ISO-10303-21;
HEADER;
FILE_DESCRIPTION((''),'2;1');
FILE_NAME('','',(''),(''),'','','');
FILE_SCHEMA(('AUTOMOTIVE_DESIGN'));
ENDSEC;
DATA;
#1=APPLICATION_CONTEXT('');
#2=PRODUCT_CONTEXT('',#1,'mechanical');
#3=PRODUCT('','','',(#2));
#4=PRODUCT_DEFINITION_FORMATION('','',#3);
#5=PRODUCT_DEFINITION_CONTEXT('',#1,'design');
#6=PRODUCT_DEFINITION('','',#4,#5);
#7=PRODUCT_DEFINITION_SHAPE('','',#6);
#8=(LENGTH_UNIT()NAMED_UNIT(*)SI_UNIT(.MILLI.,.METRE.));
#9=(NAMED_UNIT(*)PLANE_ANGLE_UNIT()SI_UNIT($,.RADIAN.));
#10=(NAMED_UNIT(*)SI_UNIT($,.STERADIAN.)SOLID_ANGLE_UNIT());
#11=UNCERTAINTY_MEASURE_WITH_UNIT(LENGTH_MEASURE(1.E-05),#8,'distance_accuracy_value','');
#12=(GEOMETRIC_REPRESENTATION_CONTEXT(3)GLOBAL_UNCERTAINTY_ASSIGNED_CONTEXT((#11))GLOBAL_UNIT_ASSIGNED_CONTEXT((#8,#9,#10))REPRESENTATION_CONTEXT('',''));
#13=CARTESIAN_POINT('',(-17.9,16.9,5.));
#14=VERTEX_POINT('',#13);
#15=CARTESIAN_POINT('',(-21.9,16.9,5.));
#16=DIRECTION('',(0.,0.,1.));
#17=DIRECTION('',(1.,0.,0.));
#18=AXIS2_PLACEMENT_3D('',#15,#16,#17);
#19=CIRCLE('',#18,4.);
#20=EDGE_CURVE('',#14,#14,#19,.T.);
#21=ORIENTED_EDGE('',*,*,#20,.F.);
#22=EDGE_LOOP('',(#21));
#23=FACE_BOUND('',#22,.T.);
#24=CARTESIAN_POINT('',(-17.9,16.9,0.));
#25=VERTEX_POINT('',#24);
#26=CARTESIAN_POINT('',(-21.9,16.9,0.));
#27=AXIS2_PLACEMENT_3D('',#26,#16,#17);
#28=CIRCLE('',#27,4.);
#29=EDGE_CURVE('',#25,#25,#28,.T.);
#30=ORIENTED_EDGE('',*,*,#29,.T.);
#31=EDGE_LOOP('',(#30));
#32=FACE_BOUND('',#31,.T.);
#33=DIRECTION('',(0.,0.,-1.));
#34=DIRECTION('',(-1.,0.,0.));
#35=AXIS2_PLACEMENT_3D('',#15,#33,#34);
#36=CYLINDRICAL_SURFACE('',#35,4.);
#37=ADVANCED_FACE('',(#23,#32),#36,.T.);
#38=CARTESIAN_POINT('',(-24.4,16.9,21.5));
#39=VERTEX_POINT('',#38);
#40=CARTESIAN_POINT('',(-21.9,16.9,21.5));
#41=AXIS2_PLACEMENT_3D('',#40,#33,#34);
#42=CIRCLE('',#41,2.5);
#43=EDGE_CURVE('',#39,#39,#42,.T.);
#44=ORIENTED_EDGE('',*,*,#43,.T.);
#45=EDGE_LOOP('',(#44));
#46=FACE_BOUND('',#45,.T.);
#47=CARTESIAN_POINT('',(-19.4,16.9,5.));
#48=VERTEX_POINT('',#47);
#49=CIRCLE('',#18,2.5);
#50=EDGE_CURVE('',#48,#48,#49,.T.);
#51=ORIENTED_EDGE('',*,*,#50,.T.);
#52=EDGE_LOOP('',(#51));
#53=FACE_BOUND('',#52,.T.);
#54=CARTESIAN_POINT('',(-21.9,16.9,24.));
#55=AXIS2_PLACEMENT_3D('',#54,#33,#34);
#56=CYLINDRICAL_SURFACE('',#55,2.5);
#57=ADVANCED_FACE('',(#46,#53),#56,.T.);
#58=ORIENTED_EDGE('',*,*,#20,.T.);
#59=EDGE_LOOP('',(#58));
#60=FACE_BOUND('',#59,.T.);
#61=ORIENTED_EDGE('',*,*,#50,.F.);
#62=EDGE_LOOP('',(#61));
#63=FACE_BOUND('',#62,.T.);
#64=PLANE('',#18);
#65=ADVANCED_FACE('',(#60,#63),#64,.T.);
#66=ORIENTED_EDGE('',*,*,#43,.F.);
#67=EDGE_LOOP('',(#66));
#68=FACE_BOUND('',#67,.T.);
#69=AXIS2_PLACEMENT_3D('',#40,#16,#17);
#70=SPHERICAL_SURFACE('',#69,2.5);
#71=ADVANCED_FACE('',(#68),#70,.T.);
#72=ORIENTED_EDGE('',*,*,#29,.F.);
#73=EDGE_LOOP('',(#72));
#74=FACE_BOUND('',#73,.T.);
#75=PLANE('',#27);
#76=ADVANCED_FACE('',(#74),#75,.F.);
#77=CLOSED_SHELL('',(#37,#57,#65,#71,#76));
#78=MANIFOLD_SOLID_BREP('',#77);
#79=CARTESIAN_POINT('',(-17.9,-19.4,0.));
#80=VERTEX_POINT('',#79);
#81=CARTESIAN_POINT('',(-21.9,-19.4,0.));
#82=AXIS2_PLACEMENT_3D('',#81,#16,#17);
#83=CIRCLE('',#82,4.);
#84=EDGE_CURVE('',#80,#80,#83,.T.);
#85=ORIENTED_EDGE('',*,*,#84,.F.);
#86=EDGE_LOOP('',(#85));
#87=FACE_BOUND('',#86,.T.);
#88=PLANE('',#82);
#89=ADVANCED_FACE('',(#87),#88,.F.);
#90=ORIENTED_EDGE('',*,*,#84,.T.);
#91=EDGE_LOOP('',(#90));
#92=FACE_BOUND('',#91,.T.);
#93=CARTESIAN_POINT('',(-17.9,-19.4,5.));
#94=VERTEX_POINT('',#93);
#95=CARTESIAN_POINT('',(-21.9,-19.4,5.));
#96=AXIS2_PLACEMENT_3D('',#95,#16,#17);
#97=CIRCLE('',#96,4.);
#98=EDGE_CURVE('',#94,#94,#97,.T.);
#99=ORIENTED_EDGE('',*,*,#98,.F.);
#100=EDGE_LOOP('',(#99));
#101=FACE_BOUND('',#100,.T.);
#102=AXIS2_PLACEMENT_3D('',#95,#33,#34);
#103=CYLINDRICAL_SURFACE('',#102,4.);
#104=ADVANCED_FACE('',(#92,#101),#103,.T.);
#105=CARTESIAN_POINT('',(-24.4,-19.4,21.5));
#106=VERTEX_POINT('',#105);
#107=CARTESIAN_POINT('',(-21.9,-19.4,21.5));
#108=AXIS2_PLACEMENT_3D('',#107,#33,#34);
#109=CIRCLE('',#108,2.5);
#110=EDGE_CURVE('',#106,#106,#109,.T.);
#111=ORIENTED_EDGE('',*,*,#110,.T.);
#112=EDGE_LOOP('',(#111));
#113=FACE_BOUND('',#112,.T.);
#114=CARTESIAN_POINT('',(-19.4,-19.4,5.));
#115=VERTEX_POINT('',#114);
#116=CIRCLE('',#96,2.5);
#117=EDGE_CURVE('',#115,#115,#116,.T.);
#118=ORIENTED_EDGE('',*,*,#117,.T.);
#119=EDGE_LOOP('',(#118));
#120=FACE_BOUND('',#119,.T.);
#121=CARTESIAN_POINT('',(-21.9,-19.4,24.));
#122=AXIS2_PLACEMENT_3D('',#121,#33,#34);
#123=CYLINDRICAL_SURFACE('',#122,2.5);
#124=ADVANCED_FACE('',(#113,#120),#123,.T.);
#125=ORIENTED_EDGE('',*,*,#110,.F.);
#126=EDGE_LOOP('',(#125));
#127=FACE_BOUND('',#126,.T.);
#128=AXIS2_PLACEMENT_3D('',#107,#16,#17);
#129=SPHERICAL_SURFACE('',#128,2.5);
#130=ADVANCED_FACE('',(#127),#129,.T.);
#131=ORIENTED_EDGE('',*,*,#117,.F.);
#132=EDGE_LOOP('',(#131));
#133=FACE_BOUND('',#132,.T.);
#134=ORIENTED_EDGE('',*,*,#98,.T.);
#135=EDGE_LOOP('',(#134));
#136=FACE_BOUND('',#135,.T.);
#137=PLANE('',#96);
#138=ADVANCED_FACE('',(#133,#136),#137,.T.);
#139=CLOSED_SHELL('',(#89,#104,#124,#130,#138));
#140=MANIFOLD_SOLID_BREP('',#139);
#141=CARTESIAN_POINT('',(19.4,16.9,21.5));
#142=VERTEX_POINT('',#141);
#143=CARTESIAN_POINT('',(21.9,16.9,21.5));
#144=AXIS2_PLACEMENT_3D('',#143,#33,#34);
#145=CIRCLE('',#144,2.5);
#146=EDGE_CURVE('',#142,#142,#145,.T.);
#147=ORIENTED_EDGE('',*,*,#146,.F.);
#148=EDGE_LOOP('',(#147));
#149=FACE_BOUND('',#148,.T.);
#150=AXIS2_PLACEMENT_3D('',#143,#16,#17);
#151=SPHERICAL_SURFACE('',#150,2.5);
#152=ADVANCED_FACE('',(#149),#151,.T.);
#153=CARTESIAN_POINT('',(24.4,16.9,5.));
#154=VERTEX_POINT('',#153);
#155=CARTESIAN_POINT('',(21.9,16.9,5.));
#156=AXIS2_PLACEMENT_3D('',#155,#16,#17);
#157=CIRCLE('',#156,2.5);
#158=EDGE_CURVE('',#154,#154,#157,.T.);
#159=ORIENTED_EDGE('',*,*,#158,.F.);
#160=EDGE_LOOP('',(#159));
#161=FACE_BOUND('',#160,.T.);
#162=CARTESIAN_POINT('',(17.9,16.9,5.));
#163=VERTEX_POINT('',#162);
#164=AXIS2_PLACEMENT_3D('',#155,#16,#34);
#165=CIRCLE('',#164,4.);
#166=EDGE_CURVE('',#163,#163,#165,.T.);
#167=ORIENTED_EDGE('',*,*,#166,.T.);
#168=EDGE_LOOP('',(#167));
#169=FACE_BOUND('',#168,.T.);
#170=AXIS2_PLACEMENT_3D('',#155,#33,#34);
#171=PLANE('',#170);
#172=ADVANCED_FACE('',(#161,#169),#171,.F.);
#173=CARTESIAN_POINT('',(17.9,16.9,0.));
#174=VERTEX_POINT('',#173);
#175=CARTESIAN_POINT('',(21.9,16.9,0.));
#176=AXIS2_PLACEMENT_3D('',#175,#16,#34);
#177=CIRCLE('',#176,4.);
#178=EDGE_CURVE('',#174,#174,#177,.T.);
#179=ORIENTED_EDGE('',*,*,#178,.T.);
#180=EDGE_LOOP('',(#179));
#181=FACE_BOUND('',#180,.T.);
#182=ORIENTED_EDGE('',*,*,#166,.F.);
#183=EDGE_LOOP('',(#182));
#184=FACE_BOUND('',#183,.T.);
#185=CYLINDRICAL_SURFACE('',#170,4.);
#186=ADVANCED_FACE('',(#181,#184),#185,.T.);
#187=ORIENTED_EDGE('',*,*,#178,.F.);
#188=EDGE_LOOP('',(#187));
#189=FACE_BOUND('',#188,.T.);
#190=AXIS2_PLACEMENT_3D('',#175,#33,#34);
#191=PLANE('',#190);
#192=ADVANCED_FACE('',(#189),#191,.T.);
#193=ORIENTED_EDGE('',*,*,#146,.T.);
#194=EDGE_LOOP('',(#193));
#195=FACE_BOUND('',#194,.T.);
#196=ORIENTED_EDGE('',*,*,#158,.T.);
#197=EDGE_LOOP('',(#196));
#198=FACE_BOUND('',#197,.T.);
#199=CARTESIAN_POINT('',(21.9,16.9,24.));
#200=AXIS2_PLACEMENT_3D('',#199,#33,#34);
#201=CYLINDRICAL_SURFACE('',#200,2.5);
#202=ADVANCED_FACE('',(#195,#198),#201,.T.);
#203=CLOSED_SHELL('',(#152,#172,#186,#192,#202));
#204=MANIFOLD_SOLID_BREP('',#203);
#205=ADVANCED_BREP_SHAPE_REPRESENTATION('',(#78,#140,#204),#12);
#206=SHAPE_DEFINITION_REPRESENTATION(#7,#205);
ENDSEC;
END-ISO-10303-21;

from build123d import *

# Parameters (mm, degrees)
SKETCH_1_R        = 4
EXTRUDE_1_DEPTH   = 5
EXTRUDE_1_2_DEPTH = 5
EXTRUDE_1_3_DEPTH = 5
SKETCH_2_R        = 2.5
EXTRUDE_2_DEPTH   = 19
FILLET_4_R        = 2.5
FILLET_5_R        = 2.5
FILLET_6_R        = 2.5


with BuildPart() as part:
    # 草圖1 → 填料-伸長1 (new body)
    with BuildSketch(Plane.XY):
        with Locations((-21.9, 16.9)):
            Circle(SKETCH_1_R)
    extrude(amount=EXTRUDE_1_DEPTH)



with BuildPart() as body_2:
    # 草圖1 → Extrude 1 2 (new body)
    with BuildSketch(Plane.XY):
        with Locations((-21.9, -19.4)):
            Circle(SKETCH_1_R)
    extrude(amount=EXTRUDE_1_2_DEPTH)


with BuildPart() as body_3:
    # 草圖1 → Extrude 1 3 (new body)
    with BuildSketch(Plane.XY):
        with Locations(Location((21.9, 16.9, 0), (0, 0, 180))):
            Circle(SKETCH_1_R)
    extrude(amount=EXTRUDE_1_3_DEPTH)


with BuildPart() as part_1:
    add(part.part)

    add(body_2.part)  # 填料-伸長2 merges body 2

    add(body_3.part)  # 填料-伸長2 merges body 3
    # 草圖2 → 填料-伸長2 (add)
    with BuildSketch(Plane.XY.offset(5)):
        with Locations((-21.9, 16.9)):
            Circle(SKETCH_2_R)
        with Locations((21.9, 16.9)):
            Circle(SKETCH_2_R)
        with Locations((-21.9, -19.4)):
            Circle(SKETCH_2_R)
    extrude(amount=EXTRUDE_2_DEPTH)

    # 圓角4
    fillet_4_edges = [part_1.edges().sort_by_distance(p)[0] for p in [
        (-24.4, 16.9, 24),
    ]]
    fillet(fillet_4_edges, radius=FILLET_4_R)

    # 圓角5
    fillet_5_edges = [part_1.edges().sort_by_distance(p)[0] for p in [
        (-24.4, -19.4, 24),
    ]]
    fillet(fillet_5_edges, radius=FILLET_5_R)

    # 圓角6
    fillet_6_edges = [part_1.edges().sort_by_distance(p)[0] for p in [
        (19.4, 16.9, 24),
    ]]
    fillet(fillet_6_edges, radius=FILLET_6_R)


solid = part_1.part
